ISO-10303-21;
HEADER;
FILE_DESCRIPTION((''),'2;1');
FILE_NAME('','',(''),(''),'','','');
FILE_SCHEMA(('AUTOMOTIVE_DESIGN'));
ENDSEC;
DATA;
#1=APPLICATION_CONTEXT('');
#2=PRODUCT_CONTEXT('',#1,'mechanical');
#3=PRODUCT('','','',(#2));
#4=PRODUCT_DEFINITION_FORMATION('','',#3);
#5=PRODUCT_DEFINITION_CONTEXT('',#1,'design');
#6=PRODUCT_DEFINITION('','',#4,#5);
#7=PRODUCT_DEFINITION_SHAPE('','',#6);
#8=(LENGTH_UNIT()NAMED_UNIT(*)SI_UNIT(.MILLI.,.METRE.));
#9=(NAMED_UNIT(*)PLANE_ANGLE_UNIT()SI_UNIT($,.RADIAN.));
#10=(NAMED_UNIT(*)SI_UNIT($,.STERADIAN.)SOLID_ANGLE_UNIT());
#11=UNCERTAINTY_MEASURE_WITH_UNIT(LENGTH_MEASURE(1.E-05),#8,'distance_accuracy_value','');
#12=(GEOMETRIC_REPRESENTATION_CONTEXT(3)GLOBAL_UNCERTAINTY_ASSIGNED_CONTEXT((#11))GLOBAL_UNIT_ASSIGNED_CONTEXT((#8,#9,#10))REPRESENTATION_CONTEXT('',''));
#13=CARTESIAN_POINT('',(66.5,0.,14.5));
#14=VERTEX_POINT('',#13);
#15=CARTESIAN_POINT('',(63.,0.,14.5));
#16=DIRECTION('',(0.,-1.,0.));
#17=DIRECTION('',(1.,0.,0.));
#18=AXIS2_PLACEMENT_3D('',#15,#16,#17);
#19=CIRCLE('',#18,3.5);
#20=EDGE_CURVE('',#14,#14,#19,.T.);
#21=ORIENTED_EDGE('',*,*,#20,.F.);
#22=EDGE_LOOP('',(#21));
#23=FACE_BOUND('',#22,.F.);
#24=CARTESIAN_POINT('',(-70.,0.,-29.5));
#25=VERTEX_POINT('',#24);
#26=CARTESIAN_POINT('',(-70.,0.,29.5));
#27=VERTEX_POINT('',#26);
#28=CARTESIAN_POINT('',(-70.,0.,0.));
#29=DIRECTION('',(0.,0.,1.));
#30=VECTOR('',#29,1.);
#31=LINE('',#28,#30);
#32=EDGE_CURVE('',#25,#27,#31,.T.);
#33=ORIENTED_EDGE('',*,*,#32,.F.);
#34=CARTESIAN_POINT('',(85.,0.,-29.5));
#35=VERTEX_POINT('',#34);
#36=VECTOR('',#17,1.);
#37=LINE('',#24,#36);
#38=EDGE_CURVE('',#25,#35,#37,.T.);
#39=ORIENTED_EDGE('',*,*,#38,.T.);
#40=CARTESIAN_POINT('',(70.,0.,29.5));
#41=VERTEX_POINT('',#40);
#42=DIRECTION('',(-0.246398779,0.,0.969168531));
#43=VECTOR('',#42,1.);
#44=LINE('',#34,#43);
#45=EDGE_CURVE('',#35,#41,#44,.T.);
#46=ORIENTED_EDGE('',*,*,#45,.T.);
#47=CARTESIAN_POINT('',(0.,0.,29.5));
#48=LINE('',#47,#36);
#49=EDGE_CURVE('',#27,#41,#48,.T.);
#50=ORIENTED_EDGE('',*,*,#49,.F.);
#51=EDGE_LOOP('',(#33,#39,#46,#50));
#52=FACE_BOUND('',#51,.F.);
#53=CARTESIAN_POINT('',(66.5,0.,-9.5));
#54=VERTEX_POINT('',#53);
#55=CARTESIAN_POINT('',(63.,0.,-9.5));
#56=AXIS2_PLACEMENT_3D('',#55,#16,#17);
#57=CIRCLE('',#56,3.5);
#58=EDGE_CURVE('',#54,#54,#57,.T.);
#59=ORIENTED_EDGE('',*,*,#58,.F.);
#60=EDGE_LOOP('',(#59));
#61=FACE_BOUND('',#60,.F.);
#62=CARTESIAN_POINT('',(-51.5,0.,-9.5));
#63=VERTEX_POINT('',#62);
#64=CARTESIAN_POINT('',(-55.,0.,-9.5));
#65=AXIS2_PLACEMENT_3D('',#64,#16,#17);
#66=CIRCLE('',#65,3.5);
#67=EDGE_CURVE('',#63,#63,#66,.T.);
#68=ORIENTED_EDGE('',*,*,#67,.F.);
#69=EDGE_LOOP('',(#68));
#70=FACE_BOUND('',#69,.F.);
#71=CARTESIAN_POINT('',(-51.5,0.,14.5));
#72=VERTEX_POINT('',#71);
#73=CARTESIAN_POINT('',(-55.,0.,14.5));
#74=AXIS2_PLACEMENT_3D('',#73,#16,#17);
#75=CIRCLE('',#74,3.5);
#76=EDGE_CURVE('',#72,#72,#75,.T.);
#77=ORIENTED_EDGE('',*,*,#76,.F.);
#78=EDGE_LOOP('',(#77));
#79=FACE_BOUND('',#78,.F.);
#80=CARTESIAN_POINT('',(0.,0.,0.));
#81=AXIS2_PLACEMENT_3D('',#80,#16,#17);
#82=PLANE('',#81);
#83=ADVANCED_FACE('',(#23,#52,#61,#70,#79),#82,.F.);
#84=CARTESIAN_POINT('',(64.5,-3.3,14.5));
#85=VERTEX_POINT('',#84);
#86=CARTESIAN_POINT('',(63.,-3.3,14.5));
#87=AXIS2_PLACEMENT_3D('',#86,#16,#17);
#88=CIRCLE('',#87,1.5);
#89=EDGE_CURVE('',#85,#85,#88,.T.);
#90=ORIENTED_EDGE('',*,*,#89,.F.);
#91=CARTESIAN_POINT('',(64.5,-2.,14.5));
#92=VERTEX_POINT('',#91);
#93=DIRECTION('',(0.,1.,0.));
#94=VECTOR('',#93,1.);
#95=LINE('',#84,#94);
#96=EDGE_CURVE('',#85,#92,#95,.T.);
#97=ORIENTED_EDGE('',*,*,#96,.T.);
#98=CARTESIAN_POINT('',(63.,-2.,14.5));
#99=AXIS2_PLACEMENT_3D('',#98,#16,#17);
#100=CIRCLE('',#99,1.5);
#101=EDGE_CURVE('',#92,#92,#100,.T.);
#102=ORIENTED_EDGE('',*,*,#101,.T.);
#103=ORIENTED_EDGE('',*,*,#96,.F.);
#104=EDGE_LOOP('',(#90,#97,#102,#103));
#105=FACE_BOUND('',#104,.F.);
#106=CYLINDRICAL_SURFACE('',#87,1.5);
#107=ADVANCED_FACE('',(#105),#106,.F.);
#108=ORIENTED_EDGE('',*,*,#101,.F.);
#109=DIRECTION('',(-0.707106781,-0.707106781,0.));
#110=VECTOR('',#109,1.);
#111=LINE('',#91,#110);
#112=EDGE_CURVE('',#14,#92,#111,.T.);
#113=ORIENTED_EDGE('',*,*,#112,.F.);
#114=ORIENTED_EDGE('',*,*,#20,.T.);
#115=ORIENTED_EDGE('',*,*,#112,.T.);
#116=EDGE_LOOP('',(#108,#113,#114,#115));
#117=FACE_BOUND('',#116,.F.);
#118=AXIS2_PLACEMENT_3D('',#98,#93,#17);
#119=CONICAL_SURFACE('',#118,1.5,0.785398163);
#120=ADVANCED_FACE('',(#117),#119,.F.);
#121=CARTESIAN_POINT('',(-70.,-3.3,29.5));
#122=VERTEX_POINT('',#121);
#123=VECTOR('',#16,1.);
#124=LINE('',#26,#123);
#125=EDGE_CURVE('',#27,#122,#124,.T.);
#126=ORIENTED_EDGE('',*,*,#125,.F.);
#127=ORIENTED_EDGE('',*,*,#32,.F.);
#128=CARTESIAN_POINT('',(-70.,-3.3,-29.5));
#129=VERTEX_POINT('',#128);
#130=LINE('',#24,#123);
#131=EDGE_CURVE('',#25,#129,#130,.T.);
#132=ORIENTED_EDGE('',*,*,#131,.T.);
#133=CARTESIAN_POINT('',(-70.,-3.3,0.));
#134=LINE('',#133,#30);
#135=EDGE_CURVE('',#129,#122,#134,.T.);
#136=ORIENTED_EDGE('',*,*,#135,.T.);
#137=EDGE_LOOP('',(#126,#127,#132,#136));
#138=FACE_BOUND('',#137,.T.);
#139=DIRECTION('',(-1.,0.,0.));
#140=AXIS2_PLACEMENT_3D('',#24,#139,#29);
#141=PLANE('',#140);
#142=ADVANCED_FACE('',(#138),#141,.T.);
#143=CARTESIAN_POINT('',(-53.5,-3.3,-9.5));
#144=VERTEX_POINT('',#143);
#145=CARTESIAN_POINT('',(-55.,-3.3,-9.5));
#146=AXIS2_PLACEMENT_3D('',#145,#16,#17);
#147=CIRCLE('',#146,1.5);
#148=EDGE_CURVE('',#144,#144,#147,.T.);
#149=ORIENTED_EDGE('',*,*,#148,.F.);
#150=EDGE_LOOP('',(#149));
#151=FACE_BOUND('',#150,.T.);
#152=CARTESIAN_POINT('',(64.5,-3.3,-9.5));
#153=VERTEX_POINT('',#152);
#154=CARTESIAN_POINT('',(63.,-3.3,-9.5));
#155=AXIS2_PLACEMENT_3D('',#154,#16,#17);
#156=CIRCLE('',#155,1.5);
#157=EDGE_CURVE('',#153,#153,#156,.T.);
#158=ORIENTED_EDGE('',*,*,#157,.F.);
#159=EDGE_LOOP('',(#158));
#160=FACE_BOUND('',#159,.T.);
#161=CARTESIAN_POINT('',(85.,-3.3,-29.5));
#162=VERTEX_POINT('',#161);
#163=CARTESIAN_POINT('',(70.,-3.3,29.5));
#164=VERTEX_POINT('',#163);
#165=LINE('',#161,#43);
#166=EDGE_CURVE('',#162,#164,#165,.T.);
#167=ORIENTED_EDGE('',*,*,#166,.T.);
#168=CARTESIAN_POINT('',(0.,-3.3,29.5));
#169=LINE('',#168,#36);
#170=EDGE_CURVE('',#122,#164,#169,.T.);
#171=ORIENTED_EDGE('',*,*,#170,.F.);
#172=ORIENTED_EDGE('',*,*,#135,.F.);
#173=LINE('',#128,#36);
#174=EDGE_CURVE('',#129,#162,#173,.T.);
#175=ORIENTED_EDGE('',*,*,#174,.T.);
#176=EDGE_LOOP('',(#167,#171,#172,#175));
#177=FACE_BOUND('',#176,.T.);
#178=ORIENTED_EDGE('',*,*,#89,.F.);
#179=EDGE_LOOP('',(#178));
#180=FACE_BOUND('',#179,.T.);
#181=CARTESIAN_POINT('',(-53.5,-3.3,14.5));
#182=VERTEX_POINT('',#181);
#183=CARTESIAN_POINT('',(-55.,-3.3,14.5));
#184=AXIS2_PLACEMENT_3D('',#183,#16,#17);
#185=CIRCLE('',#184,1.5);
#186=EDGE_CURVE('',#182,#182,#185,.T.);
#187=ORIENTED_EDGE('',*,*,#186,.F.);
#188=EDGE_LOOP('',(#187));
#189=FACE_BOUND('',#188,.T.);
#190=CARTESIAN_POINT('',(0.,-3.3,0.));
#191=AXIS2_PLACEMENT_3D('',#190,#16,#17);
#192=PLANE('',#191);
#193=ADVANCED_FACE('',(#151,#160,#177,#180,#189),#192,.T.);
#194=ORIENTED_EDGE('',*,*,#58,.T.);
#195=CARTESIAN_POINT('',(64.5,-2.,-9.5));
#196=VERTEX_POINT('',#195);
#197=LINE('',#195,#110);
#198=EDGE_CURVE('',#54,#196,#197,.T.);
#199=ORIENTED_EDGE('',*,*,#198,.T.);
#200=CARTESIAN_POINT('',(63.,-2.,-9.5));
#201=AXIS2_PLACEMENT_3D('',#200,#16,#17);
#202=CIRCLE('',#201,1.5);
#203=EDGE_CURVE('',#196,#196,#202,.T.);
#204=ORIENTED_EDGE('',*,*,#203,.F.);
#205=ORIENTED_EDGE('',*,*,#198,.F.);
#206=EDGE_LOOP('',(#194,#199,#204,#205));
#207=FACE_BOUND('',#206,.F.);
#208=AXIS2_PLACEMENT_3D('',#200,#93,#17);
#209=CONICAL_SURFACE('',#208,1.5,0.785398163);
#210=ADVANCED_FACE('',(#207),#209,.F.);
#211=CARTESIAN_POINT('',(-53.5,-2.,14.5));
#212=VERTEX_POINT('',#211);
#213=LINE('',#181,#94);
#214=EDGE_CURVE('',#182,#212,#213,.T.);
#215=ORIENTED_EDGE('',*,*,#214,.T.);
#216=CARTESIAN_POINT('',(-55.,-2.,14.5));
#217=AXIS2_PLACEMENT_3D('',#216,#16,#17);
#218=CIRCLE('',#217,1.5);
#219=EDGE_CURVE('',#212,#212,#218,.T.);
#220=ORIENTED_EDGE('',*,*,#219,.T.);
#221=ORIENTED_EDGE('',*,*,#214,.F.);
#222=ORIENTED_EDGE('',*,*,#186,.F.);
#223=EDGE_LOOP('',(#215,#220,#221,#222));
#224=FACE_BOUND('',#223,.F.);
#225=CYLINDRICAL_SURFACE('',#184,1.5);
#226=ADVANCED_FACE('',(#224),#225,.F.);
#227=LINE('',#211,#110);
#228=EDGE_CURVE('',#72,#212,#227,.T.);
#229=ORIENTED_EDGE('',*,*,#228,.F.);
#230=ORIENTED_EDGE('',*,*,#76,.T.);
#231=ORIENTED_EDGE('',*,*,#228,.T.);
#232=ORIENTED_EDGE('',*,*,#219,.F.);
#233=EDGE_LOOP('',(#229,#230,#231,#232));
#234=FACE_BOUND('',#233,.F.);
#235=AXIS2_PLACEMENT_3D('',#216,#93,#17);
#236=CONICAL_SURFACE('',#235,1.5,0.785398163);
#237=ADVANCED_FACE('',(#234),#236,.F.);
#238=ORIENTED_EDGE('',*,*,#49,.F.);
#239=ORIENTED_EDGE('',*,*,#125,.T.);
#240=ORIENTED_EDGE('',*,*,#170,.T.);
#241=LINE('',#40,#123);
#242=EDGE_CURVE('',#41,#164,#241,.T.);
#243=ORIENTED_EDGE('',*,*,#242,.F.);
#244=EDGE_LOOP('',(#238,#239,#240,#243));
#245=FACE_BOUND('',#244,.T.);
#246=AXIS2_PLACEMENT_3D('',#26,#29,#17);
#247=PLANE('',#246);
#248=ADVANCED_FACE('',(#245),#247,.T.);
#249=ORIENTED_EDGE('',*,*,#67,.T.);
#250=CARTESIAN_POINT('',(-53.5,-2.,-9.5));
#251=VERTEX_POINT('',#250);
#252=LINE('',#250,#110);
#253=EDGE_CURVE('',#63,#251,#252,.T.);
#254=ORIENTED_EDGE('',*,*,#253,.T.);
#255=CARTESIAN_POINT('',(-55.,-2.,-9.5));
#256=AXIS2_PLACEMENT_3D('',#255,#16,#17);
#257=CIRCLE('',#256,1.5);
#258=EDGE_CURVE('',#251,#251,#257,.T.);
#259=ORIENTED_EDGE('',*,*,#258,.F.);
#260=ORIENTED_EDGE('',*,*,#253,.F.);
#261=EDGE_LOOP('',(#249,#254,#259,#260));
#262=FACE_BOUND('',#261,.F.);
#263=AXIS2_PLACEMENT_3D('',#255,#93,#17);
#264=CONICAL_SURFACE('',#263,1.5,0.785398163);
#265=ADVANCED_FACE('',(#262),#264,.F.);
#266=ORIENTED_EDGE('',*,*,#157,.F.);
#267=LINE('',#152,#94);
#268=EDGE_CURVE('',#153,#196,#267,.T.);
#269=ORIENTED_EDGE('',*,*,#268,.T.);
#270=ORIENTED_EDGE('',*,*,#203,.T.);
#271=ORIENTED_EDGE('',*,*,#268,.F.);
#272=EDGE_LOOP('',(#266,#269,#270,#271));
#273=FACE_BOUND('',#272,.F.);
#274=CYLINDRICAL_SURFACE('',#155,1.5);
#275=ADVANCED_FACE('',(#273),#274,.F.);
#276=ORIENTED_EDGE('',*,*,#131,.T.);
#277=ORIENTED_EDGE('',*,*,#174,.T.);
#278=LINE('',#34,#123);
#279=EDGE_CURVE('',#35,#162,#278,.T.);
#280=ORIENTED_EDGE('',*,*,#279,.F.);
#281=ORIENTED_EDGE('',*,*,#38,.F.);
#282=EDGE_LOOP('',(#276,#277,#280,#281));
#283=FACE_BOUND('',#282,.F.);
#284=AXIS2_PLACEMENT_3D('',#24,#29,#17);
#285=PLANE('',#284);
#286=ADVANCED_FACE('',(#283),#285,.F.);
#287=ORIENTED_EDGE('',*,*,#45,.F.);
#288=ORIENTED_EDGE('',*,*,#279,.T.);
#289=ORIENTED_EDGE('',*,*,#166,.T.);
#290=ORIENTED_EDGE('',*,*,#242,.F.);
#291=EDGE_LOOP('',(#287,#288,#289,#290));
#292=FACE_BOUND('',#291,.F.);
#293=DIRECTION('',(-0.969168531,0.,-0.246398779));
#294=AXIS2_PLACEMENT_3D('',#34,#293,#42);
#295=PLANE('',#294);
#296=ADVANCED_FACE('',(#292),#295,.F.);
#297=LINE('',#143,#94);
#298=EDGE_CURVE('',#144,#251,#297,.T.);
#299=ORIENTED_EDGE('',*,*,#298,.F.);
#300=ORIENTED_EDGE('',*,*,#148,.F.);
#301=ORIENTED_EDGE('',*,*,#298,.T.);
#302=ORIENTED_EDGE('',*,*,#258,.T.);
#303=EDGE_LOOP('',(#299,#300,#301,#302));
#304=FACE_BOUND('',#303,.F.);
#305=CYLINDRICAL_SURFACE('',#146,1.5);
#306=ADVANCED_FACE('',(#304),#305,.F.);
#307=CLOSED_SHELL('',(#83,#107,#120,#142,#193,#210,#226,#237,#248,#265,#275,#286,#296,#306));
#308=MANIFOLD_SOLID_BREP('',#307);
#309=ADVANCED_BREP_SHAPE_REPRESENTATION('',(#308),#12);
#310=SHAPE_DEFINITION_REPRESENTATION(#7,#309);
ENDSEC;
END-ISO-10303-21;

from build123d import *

# Parameters (mm, degrees)
F0_W     = 140
F0_H     = 59
F1_DEPTH = 3.3
F2_R     = 1.5
F3_DEPTH = 25
F4_SIZE  = 2


with BuildPart() as f1:
    # F0 (on Front) → F1 (new body)
    with BuildSketch(Plane.XZ):
        Rectangle(F0_W, F0_H)
        Polygon((85, -29.5), (70, 29.5), (70, -29.5), align=None)
    extrude(amount=F1_DEPTH)

    # F2 (on face) → F3 (cut)
    with BuildSketch(Plane.XZ.offset(3.3)):
        with Locations((-55, 14.5)):
            Circle(F2_R)
        with Locations((63, 14.5)):
            Circle(F2_R)
        with Locations((63, -9.5)):
            Circle(F2_R)
        with Locations((-55, -9.5)):
            Circle(F2_R)
    extrude(amount=-F3_DEPTH, mode=Mode.SUBTRACT)

    # F4
    f4_edges = [f1.edges().sort_by_distance(p)[0] for p in [
        (-56.5, 0, -9.5),
        (-56.5, 0, 14.5),
        (61.5, 0, -9.5),
        (61.5, 0, 14.5),
    ]]
    chamfer(f4_edges, length=F4_SIZE)


solid = f1.part
